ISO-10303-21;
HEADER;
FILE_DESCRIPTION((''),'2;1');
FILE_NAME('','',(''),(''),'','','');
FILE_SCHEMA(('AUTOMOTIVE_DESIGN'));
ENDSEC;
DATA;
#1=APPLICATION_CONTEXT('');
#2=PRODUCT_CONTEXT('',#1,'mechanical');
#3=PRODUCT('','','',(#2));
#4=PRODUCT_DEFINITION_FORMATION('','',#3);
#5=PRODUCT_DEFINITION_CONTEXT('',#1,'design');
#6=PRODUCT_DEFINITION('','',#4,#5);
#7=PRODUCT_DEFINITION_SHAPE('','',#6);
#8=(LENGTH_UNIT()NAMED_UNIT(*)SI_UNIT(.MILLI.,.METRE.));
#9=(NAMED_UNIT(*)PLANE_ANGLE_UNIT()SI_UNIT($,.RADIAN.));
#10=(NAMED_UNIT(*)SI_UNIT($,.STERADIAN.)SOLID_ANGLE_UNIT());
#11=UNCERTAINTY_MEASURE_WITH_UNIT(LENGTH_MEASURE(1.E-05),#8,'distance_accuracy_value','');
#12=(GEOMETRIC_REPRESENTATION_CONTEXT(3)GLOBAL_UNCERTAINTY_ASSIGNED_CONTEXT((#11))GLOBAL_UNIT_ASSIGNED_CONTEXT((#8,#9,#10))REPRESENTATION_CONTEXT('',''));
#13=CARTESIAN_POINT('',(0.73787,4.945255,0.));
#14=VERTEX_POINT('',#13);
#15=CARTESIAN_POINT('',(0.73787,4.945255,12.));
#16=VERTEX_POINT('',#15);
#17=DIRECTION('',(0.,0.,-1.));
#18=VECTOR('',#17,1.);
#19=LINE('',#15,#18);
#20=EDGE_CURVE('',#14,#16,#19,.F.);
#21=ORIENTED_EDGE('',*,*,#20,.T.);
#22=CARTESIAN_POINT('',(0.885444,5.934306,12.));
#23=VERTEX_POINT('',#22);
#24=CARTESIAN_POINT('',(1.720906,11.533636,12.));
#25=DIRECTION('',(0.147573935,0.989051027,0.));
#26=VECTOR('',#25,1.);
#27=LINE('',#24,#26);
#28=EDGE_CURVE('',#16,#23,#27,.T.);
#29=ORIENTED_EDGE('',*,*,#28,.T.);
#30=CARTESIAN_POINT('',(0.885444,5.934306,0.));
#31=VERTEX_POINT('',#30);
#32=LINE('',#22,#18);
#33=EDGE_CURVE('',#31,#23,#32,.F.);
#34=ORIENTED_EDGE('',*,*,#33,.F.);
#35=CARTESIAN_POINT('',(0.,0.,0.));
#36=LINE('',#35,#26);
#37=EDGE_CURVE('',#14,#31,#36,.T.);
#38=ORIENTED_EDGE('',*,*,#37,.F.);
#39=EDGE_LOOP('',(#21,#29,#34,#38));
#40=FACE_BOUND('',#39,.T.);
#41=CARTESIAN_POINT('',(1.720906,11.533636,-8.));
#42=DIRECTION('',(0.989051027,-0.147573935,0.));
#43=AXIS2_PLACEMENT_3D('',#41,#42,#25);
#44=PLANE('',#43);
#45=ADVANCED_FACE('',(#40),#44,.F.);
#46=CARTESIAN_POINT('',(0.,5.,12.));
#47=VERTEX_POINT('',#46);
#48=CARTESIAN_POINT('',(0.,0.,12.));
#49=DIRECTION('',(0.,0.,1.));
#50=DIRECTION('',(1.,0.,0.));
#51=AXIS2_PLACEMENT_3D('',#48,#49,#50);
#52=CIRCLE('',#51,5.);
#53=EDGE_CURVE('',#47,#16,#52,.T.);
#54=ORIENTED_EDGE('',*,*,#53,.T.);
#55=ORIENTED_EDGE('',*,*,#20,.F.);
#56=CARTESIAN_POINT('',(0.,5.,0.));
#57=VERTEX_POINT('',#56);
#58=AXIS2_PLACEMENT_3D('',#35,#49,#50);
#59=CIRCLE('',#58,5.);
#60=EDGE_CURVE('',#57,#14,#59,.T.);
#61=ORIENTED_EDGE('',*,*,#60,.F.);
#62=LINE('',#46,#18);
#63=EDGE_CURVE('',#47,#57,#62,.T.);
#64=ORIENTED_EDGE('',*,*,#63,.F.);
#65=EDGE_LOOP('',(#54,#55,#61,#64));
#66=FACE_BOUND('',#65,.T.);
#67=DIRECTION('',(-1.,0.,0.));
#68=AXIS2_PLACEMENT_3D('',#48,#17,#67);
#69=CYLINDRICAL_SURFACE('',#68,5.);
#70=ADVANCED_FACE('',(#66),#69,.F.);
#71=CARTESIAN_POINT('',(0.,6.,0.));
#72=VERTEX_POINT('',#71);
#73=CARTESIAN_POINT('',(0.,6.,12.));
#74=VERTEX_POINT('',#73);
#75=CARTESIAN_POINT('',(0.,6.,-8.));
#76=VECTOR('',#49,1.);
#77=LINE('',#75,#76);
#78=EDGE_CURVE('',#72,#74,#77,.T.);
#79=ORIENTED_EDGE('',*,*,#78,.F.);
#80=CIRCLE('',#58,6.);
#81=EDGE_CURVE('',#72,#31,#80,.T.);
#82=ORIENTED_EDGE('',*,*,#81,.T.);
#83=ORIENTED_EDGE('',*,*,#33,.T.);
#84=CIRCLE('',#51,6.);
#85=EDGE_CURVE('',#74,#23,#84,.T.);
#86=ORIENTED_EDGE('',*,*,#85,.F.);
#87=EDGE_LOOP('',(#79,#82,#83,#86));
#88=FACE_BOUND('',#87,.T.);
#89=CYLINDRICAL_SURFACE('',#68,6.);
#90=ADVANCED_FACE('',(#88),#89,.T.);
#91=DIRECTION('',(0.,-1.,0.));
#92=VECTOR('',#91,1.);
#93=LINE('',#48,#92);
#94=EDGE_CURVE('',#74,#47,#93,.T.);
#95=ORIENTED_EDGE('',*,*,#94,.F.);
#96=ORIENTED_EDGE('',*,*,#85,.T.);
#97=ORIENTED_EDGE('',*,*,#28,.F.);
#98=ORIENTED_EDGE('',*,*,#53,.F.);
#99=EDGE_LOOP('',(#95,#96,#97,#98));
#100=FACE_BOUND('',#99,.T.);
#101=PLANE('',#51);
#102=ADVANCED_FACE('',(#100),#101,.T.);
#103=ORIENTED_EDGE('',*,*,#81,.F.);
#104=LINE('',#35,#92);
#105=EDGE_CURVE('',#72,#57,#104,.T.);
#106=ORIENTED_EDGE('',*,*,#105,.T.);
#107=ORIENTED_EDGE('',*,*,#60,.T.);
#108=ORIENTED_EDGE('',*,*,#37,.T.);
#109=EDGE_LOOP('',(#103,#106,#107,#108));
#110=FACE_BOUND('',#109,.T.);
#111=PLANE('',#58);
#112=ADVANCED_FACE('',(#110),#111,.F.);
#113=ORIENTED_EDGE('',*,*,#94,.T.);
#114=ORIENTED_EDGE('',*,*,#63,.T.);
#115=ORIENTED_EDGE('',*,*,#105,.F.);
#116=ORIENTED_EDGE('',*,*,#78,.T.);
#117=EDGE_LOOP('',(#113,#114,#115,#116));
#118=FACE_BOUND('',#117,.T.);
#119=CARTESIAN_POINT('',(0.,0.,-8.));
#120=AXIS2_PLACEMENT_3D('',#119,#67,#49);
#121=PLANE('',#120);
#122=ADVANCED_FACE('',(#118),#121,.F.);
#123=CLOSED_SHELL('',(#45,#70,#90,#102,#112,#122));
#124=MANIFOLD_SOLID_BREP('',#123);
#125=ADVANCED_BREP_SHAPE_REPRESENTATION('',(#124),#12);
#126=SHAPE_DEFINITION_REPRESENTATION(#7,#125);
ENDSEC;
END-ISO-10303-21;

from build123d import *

# Parameters (mm, degrees)
SKETCH_1_R          = 6
SKETCH_1_R_2        = 5
EXTRUDE_1_DEPTH     = 12
CUT_EXTRUDE_1_DEPTH = 20


with BuildPart() as part:
    # 草图1 → 凸台-拉伸1 (new body)
    with BuildSketch(Plane.XY):
        Circle(SKETCH_1_R)
        Circle(SKETCH_1_R_2, mode=Mode.SUBTRACT)
    extrude(amount=EXTRUDE_1_DEPTH)

    # 草图2 → 切除-拉伸1 (cut)
    with BuildSketch(Plane.XY.offset(12)):
        Polygon((0, 0), (0, 6), (1.720906164, 11.533635692), align=None)
    extrude(amount=-CUT_EXTRUDE_1_DEPTH, mode=Mode.SUBTRACT)


solid = part.part
